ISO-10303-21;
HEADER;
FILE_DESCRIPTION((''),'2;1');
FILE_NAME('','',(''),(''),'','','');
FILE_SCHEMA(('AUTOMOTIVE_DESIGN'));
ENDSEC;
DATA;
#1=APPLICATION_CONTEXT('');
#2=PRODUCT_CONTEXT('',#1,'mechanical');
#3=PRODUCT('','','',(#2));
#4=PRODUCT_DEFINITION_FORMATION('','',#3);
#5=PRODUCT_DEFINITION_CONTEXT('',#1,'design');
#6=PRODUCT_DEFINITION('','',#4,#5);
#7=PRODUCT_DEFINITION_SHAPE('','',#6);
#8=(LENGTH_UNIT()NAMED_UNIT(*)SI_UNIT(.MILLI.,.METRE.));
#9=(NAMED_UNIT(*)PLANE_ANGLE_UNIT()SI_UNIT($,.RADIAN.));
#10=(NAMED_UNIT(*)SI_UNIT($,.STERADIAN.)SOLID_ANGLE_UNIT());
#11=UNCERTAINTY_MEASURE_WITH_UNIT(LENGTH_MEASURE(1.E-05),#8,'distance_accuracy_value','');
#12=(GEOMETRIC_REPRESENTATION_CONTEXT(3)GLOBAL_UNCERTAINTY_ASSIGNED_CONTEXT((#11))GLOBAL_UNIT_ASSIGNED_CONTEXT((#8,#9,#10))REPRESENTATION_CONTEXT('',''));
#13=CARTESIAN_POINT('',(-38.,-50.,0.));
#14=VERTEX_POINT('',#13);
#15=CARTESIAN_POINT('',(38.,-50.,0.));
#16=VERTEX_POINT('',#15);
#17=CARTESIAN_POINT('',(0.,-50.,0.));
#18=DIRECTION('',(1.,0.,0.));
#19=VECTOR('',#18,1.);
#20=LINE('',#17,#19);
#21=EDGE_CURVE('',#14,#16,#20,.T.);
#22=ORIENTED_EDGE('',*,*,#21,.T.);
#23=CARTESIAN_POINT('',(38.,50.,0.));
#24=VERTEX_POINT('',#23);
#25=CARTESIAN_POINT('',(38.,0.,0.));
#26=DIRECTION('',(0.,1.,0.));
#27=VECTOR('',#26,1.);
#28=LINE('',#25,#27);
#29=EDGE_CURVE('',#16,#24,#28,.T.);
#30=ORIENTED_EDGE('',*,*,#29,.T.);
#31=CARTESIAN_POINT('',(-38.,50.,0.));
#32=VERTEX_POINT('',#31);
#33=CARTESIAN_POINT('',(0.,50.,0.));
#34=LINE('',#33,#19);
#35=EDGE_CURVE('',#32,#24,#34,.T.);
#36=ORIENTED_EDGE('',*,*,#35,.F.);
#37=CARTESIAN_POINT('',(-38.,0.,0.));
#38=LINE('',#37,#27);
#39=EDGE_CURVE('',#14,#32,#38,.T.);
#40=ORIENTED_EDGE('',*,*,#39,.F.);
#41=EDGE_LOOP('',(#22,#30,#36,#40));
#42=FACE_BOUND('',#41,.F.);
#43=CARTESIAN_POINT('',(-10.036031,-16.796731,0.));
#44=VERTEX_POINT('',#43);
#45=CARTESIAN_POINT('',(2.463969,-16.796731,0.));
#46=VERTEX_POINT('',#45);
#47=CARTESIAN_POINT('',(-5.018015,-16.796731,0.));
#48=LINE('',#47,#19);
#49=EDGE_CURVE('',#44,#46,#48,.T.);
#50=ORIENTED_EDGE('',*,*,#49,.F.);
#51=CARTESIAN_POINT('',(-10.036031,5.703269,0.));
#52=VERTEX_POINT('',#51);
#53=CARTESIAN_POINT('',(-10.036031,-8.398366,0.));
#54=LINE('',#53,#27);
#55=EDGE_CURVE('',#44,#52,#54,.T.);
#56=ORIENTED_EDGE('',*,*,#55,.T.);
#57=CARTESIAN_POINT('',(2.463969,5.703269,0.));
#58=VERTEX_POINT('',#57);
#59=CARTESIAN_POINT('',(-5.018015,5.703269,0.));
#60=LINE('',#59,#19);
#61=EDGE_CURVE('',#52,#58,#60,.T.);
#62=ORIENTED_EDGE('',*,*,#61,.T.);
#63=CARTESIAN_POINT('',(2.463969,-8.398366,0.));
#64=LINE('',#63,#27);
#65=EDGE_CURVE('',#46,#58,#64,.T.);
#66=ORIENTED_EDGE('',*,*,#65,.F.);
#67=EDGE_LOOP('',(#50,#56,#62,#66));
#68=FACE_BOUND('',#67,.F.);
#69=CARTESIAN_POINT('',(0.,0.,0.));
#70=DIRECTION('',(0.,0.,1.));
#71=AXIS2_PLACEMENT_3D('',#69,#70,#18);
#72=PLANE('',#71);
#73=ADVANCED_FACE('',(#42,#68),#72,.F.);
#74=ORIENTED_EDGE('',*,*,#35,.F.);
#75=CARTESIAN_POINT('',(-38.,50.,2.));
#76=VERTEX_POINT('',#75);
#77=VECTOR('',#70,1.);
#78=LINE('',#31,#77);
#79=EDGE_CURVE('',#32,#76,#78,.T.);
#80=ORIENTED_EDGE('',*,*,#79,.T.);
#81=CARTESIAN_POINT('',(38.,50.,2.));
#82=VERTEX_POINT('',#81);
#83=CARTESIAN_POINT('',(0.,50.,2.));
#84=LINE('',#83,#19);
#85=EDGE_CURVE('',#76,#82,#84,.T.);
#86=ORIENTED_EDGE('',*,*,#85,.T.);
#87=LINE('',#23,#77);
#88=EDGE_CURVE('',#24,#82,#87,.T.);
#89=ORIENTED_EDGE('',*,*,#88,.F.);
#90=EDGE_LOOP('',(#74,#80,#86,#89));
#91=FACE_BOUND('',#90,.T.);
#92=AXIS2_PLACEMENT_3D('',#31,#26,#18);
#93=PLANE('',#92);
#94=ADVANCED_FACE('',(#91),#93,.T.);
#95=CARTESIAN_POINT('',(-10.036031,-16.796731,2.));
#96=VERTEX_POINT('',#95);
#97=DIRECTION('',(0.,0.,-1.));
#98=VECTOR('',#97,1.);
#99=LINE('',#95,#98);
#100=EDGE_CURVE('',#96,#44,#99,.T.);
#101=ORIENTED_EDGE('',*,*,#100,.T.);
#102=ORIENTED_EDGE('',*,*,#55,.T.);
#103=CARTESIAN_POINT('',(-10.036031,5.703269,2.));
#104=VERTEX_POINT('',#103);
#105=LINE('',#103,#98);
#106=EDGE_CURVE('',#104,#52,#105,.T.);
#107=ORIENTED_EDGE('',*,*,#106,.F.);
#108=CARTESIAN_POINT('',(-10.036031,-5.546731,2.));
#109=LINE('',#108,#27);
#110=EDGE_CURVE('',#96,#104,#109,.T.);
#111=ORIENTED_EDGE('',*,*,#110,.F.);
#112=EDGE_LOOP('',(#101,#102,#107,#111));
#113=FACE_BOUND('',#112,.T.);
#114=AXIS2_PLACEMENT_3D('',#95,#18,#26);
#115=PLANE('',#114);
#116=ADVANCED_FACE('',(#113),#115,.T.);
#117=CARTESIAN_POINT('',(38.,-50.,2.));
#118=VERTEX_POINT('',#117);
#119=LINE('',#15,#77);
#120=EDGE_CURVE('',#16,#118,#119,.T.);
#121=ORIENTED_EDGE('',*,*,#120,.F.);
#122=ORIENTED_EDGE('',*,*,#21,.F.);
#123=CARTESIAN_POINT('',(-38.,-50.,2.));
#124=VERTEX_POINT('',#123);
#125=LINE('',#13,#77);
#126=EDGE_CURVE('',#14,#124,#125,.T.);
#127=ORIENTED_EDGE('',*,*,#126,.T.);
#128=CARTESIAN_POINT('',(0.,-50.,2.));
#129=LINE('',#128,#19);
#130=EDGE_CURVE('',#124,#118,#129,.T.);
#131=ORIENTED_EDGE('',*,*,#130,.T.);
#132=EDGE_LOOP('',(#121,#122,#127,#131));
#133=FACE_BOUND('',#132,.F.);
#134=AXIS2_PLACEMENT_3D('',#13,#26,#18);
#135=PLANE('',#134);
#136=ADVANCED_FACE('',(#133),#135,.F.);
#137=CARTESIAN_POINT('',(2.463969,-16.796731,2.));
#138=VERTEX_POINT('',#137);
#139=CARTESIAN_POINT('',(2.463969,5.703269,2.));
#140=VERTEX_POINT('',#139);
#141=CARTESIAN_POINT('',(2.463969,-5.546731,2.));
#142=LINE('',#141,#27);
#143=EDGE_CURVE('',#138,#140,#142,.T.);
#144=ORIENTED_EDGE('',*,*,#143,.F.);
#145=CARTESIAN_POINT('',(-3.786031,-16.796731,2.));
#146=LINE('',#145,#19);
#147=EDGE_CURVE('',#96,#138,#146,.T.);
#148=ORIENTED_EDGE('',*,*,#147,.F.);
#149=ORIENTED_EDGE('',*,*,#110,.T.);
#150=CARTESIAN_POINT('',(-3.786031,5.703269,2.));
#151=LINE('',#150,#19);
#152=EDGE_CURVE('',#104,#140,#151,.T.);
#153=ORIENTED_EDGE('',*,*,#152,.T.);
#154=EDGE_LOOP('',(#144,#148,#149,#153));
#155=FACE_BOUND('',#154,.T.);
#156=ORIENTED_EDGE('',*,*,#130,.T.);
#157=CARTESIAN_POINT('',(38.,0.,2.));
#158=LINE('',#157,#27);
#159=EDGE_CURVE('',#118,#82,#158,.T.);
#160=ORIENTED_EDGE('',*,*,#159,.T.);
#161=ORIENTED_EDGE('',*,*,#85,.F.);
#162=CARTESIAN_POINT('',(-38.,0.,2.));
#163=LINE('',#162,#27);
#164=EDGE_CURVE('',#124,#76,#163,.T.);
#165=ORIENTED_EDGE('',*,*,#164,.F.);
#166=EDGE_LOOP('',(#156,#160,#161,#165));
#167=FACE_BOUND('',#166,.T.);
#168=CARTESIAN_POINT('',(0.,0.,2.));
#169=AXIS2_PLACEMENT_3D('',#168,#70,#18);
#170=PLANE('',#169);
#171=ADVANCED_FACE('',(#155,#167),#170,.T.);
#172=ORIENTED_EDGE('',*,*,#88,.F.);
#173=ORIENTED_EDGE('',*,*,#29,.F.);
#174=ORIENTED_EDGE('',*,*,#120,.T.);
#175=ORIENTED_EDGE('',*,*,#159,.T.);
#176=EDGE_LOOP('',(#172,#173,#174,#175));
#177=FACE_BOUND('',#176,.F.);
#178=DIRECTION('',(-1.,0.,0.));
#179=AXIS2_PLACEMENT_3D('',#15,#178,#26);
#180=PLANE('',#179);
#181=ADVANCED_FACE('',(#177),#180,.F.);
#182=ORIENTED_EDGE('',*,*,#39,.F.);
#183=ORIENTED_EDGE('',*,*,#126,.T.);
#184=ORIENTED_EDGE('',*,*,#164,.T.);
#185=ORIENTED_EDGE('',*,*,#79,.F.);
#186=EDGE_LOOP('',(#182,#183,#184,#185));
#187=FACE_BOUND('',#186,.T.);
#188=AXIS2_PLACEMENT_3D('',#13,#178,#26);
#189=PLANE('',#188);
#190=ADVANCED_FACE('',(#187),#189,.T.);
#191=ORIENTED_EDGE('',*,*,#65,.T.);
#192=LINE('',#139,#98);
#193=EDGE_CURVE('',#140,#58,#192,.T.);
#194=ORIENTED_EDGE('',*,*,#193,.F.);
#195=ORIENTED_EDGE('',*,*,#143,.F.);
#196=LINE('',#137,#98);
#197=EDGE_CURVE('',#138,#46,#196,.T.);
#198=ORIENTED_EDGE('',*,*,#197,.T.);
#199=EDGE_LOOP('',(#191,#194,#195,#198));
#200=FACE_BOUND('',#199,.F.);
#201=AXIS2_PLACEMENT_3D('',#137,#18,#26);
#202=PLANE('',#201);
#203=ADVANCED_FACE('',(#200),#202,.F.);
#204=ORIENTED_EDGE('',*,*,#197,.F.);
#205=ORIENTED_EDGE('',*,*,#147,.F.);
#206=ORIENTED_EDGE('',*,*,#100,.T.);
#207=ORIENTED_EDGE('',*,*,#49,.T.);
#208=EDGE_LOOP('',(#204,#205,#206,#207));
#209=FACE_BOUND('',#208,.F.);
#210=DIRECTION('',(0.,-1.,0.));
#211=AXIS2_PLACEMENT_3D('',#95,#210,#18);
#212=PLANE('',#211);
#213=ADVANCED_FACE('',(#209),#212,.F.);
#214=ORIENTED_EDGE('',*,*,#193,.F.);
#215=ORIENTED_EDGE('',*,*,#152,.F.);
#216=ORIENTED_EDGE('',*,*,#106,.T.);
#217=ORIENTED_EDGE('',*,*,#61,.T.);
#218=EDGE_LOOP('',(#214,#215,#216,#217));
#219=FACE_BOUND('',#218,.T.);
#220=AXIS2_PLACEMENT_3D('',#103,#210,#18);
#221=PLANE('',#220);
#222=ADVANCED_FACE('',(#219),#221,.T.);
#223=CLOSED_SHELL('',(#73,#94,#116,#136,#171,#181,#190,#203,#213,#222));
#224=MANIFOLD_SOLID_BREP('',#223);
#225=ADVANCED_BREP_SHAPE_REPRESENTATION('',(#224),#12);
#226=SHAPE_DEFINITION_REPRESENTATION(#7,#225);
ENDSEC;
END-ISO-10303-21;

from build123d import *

# Parameters (mm, degrees)
SKETCH_W     = 76
SKETCH_H     = 100
PAD_DEPTH    = 2
SKETCH001_W  = 12.5
SKETCH001_H  = 22.5
POCKET_DEPTH = 5


with BuildPart() as part:
    # Sketch → Pad (new body)
    with BuildSketch(Plane.XY):
        Rectangle(SKETCH_W, SKETCH_H)
    extrude(amount=PAD_DEPTH)

    # Sketch001 (on Face6 of Pad) → Pocket (cut)
    with BuildSketch(Plane.XY.offset(2)):
        with Locations((-3.786031, -5.546731)):
            Rectangle(SKETCH001_W, SKETCH001_H)
    extrude(amount=-POCKET_DEPTH, mode=Mode.SUBTRACT)


solid = part.part
